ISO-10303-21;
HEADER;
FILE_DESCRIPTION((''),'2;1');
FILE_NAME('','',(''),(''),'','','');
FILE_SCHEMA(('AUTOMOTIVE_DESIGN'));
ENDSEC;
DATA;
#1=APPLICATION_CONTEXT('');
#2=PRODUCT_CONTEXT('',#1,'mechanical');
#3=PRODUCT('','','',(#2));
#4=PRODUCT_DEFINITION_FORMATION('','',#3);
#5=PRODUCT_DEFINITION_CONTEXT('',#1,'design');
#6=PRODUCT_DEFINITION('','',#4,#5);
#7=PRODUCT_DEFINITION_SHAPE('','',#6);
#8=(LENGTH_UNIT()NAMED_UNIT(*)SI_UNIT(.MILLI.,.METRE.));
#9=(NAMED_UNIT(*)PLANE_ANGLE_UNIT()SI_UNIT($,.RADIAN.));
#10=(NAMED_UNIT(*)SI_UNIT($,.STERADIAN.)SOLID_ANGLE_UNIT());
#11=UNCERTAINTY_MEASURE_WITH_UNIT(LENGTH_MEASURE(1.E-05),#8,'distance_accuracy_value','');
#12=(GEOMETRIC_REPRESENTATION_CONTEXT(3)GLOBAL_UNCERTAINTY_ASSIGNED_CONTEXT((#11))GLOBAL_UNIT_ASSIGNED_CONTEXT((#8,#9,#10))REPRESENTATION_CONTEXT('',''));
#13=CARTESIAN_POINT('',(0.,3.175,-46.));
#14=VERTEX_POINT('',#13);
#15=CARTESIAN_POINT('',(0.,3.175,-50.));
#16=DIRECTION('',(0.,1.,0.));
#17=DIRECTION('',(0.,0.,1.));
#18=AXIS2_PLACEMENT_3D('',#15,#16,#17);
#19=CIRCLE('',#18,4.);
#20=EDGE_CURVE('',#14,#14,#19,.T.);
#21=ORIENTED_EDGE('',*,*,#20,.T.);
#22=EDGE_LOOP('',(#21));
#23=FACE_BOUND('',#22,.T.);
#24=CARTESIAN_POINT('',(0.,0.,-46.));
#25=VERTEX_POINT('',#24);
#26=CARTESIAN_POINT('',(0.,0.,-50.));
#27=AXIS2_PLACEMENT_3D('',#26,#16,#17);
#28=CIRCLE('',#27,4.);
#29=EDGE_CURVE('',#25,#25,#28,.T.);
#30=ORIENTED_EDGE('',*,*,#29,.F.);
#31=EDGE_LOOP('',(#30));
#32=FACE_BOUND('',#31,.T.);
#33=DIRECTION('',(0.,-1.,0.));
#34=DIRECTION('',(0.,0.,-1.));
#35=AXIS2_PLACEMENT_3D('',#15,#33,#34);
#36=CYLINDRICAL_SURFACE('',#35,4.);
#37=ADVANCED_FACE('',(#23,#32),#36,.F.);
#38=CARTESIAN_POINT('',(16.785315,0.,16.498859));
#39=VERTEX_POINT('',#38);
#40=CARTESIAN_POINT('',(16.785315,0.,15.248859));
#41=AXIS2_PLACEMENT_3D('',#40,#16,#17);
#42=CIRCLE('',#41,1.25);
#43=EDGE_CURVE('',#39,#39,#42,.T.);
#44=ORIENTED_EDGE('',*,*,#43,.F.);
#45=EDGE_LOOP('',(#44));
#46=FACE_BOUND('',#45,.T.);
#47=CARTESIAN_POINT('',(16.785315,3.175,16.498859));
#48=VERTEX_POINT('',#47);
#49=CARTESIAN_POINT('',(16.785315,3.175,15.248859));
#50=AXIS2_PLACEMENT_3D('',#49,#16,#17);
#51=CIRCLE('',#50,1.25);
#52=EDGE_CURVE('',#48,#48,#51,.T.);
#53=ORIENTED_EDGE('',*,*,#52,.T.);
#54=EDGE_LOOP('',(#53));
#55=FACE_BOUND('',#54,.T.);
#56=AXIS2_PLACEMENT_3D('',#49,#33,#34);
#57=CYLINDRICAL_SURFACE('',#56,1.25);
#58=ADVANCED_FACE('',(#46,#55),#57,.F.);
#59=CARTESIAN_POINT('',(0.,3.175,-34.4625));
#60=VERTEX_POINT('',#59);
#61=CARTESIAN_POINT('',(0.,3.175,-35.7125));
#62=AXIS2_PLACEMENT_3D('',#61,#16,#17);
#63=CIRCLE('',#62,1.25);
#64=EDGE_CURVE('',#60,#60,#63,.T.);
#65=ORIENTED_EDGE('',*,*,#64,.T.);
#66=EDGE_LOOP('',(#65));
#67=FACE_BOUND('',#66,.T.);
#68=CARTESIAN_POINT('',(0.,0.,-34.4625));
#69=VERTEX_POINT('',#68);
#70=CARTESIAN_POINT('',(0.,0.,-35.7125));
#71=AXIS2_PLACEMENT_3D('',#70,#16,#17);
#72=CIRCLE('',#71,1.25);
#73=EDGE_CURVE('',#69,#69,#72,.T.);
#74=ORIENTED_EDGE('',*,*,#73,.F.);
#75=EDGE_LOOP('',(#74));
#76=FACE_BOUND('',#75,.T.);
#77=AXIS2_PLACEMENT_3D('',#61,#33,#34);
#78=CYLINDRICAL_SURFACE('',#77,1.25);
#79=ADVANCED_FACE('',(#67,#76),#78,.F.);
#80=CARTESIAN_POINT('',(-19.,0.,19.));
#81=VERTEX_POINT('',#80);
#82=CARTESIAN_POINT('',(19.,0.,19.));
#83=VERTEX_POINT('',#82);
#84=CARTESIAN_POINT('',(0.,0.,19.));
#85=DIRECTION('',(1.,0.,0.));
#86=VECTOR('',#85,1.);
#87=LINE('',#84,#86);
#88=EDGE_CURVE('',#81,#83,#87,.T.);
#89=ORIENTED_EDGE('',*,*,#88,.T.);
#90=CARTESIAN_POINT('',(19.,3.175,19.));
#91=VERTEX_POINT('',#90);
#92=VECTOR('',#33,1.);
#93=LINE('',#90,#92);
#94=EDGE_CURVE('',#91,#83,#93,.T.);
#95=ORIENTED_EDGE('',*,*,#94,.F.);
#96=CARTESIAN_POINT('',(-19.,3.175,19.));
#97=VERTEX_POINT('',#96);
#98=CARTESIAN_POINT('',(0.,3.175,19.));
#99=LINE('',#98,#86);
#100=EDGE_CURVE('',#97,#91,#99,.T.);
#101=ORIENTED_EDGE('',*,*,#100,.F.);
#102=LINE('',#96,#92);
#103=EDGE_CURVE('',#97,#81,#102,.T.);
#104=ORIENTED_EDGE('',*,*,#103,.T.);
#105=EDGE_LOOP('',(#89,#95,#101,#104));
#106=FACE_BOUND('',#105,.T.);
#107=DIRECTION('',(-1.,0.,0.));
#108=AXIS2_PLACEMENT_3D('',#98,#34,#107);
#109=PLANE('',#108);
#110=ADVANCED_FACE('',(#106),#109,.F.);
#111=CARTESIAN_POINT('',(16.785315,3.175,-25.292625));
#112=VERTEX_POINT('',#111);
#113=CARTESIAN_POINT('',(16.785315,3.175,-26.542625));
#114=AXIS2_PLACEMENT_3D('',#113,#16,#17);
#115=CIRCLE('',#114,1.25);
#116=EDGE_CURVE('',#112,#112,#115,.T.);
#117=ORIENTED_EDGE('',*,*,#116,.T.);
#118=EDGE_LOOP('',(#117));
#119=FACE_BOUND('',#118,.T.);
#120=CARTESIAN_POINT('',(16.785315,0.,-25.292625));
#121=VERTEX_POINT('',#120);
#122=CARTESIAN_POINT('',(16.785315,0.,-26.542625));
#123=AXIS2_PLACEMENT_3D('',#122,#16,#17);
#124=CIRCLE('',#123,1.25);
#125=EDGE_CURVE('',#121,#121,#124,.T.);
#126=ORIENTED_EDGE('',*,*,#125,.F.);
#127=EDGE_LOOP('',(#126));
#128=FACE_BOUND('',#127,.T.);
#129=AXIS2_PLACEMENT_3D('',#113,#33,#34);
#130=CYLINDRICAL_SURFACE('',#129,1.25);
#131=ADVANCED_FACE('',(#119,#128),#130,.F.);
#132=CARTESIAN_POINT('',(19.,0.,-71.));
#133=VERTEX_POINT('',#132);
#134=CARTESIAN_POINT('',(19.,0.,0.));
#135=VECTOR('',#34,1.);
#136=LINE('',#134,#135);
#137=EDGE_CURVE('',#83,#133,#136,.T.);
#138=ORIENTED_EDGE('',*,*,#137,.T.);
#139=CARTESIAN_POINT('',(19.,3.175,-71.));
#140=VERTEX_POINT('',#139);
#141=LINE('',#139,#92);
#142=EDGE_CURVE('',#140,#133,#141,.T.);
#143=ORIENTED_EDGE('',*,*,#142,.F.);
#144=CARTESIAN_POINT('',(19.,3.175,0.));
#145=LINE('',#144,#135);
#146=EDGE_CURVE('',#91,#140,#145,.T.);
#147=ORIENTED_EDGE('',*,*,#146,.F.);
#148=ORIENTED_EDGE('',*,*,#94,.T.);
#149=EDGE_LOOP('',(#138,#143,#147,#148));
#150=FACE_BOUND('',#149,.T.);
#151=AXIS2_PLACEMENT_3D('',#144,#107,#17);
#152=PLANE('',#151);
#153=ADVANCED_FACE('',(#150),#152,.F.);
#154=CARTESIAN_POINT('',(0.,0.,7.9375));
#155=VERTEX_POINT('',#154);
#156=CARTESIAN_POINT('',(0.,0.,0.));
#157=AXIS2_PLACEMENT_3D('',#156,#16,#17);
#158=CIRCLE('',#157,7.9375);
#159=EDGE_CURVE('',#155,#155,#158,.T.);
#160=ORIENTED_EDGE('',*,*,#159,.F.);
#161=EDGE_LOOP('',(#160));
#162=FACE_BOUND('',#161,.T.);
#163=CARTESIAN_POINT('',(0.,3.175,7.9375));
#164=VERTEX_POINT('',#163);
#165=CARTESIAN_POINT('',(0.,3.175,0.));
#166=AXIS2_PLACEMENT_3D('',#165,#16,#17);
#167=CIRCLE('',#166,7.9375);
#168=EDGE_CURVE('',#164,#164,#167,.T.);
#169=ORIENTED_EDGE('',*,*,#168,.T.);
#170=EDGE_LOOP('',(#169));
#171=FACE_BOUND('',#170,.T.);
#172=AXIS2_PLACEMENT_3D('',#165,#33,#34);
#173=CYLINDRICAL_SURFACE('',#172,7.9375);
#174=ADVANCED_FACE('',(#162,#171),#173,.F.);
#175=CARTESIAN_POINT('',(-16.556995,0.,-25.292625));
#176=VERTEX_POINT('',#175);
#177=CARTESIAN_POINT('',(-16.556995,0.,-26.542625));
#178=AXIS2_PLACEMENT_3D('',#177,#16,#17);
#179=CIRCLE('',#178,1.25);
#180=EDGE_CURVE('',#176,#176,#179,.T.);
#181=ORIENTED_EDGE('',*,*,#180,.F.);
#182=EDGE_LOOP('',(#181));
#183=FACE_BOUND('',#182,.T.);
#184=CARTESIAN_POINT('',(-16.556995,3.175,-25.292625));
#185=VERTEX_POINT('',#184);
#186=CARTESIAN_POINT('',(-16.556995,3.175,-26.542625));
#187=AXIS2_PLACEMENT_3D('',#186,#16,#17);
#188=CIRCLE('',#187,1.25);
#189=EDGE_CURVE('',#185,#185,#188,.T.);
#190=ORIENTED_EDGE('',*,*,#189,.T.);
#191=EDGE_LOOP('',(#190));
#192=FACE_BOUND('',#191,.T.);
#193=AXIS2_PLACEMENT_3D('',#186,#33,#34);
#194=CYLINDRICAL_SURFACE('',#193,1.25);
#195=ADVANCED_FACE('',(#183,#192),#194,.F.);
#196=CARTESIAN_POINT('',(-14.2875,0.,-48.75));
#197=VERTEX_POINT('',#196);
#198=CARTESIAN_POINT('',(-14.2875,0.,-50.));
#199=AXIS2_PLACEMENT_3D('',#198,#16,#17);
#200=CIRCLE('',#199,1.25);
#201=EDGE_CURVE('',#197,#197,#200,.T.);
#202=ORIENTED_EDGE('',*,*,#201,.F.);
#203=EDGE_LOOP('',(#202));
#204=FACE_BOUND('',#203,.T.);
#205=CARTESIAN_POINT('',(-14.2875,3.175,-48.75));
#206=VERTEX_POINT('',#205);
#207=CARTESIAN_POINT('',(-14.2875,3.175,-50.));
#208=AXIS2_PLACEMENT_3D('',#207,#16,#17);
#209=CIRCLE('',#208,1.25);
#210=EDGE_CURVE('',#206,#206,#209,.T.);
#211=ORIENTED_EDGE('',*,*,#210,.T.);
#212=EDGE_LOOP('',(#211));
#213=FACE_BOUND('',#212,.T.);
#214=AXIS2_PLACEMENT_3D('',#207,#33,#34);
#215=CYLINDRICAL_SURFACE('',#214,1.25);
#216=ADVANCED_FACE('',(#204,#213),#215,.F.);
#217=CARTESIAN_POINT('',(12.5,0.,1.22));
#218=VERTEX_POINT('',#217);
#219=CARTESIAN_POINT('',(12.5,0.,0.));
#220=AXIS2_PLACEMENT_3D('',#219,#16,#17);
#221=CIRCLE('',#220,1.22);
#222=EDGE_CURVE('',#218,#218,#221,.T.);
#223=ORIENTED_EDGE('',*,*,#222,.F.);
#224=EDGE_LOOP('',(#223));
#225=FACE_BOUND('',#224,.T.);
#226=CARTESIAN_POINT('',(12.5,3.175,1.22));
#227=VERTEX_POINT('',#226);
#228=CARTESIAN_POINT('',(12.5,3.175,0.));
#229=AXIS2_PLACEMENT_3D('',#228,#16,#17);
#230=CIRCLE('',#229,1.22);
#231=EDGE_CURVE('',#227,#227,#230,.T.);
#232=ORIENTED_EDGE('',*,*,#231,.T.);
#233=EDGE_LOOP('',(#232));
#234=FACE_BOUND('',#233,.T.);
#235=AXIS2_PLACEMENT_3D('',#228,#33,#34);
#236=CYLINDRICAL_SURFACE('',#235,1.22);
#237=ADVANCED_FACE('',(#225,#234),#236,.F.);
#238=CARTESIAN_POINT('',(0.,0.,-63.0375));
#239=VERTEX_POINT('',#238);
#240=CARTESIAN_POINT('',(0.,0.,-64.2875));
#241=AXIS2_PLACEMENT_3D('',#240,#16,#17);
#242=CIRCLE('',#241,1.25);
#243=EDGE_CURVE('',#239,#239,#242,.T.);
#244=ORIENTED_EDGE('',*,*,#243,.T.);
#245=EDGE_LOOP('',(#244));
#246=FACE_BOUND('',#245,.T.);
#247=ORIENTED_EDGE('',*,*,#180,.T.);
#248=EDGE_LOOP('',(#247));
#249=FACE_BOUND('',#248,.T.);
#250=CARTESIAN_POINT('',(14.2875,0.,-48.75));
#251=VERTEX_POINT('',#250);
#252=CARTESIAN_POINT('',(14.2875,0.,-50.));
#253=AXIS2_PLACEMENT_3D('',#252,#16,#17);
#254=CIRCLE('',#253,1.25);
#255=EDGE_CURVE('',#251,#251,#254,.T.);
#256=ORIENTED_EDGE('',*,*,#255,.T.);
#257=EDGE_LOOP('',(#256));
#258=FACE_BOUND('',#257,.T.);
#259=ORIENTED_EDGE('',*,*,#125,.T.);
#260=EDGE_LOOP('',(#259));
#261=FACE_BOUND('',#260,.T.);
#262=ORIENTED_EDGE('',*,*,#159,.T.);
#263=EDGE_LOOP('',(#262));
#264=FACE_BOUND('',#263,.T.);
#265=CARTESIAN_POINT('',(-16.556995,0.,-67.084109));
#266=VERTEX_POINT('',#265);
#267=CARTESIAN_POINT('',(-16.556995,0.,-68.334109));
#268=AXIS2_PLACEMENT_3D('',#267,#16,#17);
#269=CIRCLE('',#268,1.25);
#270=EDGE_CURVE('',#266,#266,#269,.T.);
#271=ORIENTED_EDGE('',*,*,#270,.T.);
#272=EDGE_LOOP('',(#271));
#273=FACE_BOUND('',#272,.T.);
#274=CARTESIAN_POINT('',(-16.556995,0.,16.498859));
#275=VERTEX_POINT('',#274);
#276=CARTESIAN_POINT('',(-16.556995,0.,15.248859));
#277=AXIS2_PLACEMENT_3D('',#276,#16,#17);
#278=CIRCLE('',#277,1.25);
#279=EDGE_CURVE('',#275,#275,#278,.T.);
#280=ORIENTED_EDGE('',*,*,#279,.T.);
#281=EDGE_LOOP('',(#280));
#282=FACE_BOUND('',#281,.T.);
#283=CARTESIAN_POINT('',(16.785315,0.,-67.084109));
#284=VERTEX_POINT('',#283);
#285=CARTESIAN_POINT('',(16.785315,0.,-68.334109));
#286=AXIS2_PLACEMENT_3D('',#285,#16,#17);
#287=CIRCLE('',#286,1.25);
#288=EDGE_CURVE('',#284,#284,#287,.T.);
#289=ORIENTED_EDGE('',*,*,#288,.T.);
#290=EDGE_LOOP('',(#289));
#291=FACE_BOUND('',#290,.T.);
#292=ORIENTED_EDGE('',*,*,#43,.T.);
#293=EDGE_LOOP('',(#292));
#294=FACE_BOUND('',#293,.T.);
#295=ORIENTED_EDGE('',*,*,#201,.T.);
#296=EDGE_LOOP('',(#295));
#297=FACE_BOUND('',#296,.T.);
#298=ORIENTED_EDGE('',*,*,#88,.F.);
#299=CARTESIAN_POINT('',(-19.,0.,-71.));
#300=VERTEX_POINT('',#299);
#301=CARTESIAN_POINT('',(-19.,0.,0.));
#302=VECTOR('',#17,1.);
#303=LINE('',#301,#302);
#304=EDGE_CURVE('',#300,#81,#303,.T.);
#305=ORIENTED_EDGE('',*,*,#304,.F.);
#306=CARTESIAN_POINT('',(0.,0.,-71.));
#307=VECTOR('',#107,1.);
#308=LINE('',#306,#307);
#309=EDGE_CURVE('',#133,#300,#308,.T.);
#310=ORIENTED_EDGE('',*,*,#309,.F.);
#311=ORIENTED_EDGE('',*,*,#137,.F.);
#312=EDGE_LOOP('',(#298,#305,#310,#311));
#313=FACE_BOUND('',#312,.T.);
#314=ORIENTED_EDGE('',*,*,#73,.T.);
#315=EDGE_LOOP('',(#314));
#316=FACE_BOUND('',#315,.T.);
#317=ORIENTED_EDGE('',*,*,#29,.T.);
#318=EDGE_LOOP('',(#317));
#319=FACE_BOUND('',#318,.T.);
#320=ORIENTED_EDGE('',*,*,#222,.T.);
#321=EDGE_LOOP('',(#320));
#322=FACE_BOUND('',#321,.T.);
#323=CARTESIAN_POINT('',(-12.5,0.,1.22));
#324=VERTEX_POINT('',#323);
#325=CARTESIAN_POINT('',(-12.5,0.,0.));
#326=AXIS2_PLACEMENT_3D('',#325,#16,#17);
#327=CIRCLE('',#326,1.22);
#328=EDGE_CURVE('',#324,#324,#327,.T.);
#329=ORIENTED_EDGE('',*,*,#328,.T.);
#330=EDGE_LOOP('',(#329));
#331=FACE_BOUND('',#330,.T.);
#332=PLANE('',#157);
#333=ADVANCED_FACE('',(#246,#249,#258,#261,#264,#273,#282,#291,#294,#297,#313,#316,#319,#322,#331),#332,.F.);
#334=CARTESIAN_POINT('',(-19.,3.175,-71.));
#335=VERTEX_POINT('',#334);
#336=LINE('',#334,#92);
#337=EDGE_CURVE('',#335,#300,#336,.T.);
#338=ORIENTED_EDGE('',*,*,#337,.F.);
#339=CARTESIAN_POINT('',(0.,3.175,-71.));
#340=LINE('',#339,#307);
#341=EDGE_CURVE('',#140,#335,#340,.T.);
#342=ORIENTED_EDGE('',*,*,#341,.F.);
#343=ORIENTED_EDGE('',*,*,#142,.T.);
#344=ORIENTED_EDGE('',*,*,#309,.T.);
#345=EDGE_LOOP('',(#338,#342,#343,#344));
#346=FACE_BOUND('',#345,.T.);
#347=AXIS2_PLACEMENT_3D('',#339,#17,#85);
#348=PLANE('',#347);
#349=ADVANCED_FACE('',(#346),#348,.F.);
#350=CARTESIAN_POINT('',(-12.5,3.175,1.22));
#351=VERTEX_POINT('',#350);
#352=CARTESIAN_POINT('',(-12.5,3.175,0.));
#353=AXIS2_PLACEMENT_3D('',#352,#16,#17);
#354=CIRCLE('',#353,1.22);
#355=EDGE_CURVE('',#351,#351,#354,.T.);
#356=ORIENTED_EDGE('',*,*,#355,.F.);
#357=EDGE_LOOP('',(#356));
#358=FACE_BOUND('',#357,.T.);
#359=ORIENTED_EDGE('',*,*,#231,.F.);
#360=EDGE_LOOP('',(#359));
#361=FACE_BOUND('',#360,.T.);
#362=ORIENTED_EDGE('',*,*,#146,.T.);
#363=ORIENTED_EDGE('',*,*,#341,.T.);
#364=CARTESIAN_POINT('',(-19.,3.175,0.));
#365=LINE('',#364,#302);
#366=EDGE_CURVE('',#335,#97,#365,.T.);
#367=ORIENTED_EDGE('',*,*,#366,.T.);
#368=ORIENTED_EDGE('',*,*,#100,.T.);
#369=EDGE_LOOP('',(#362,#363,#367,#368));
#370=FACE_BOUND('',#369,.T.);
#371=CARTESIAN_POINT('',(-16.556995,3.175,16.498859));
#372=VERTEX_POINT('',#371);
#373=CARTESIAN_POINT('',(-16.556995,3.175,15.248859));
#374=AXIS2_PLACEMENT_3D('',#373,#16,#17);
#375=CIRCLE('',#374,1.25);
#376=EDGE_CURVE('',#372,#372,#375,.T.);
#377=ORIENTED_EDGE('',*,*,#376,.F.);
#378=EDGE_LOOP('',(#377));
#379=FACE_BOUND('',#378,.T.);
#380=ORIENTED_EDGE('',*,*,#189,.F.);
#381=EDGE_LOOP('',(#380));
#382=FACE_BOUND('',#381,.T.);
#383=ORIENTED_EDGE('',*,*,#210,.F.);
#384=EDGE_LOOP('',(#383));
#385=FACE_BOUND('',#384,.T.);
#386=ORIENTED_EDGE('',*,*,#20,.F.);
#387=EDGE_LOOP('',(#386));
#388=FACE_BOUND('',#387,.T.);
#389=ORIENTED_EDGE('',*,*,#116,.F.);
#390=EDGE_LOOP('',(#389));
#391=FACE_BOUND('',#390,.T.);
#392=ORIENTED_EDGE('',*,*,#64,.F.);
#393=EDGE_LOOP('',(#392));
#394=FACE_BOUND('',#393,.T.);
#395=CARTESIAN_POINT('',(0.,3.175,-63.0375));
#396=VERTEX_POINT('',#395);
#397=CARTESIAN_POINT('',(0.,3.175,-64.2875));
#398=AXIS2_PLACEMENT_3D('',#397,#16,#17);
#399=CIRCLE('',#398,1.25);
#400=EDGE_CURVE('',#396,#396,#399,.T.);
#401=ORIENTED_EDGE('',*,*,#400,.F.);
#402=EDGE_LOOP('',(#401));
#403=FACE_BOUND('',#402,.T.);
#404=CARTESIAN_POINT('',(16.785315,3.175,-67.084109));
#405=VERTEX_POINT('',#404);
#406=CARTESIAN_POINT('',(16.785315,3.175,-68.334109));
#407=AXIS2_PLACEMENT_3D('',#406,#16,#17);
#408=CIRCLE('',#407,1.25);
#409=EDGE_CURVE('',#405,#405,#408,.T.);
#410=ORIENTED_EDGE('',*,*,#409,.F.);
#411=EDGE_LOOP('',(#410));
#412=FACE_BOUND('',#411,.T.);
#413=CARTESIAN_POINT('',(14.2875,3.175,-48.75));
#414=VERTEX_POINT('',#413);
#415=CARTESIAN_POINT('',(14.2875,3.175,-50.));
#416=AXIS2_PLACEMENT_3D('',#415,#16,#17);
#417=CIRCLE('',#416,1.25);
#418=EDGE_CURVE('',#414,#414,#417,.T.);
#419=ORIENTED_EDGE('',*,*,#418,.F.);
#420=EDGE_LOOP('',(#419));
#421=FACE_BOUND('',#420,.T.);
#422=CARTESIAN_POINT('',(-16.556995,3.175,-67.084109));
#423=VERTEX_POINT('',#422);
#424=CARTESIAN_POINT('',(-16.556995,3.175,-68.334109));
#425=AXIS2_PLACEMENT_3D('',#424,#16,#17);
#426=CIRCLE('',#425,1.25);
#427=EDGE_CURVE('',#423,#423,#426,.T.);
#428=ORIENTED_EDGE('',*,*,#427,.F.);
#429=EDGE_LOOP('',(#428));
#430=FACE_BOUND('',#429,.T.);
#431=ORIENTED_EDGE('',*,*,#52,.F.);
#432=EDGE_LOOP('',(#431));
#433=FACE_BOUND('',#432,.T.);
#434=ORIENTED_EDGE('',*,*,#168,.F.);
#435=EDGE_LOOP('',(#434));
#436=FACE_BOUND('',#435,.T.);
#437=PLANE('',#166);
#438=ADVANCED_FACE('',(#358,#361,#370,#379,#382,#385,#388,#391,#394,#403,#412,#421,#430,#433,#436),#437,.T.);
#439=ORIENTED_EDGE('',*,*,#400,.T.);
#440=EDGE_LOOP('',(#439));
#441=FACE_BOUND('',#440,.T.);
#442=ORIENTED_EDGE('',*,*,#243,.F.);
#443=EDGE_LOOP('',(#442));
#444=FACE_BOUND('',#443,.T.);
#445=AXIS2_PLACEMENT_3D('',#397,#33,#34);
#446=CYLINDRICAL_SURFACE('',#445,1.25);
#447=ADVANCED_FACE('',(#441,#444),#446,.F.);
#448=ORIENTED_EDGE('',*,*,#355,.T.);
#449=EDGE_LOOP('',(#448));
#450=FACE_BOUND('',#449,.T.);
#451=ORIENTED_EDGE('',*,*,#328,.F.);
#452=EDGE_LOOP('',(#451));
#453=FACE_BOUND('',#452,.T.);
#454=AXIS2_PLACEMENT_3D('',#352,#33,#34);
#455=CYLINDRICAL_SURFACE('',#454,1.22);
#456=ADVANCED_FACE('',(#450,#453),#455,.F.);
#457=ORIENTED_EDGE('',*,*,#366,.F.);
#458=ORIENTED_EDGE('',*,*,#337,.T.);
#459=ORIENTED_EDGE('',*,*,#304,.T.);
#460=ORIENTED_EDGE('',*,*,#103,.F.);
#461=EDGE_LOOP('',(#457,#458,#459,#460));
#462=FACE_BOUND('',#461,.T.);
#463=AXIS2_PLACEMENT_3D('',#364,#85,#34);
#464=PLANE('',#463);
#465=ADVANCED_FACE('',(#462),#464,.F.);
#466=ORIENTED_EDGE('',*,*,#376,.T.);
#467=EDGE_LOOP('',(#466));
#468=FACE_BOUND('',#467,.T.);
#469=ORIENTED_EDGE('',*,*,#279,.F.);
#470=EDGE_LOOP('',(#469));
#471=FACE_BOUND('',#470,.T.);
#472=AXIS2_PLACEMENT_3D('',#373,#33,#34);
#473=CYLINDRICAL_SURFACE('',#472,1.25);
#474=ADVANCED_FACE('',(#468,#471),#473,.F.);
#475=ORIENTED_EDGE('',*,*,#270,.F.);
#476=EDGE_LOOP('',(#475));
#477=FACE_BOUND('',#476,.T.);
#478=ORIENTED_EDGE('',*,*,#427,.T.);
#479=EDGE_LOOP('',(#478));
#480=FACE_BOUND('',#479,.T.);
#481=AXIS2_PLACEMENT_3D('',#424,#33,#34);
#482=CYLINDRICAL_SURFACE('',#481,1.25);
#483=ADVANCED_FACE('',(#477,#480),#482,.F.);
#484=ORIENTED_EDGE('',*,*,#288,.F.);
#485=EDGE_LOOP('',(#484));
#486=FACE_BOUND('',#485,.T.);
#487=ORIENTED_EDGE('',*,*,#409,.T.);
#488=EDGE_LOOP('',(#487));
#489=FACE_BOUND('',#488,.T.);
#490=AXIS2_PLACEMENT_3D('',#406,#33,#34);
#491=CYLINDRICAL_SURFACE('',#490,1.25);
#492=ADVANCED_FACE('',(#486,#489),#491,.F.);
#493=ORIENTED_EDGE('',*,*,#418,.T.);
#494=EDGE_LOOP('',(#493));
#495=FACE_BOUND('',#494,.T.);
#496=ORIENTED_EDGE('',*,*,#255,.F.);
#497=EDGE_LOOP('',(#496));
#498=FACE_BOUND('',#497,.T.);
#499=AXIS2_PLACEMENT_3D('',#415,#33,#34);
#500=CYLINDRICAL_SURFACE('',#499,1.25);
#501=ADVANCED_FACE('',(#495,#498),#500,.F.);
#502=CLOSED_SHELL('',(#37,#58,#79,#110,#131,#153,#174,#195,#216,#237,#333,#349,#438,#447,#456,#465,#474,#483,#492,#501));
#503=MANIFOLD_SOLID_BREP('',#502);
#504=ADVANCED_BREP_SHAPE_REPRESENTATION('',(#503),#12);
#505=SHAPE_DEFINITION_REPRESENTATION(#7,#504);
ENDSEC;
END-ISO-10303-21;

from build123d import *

# Parameters (mm, degrees)
SKETCH1_R           = 1.25
SKETCH1_R_2         = 1.22
SKETCH1_R_3         = 4
BOSS_EXTRUDE1_DEPTH = 3.175


with BuildPart() as part:
    # Sketch1 → Boss-Extrude1 (new body)
    with BuildSketch(Plane(origin=(0, 0, 0), x_dir=(1, 0, 0), z_dir=(0, 1, 0))):
        Polygon((-19, -19), (0, -19), (19, -19), (19, 71), (-19, 71), align=None)
        with Locations((-16.556995364, -15.248859434)):
            Circle(SKETCH1_R, mode=Mode.SUBTRACT)
        with Locations((-12.5, 0)):
            Circle(SKETCH1_R_2, mode=Mode.SUBTRACT)
        with BuildLine():
            ThreePointArc((7.9375, 0), (5.612660076, -5.612660076), (0, -7.9375))
            ThreePointArc((0, -7.9375), (-5.612660076, -5.612660076), (-7.9375, 0))
            ThreePointArc((-7.9375, 0), (-5.612660076, 5.612660076), (0, 7.9375))
            ThreePointArc((0, 7.9375), (5.612660076, 5.612660076), (7.9375, 0))
        make_face(mode=Mode.SUBTRACT)
        with Locations((16.785315207, -15.248859434)):
            Circle(SKETCH1_R, mode=Mode.SUBTRACT)
        with Locations((12.5, 0)):
            Circle(SKETCH1_R_2, mode=Mode.SUBTRACT)
        with BuildLine():
            ThreePointArc((-16.556995364, 25.292624917), (-17.806995364, 26.542624917), (-16.556995364, 27.792624917))
            ThreePointArc((-16.556995364, 27.792624917), (-15.306995364, 26.542624917), (-16.556995364, 25.292624917))
        make_face(mode=Mode.SUBTRACT)
        with BuildLine():
            ThreePointArc((-16.556995364, 67.084109267), (-17.440878841, 69.217992744), (-15.306995364, 68.334109267))
            ThreePointArc((-15.306995364, 68.334109267), (-15.673111888, 67.450225791), (-16.556995364, 67.084109267))
        make_face(mode=Mode.SUBTRACT)
        with BuildLine():
            ThreePointArc((16.785315207, 25.292624917), (15.535315207, 26.542624917), (16.785315207, 27.792624917))
            ThreePointArc((16.785315207, 27.792624917), (18.035315207, 26.542624917), (16.785315207, 25.292624917))
        make_face(mode=Mode.SUBTRACT)
        with Locations((0, 35.7125)):
            Circle(SKETCH1_R, mode=Mode.SUBTRACT)
        with Locations((14.2875, 50)):
            Circle(SKETCH1_R, mode=Mode.SUBTRACT)
        with Locations((0, 64.2875)):
            Circle(SKETCH1_R, mode=Mode.SUBTRACT)
        with Locations((-14.2875, 50)):
            Circle(SKETCH1_R, mode=Mode.SUBTRACT)
        with BuildLine():
            ThreePointArc((16.785315207, 67.084109267), (15.90143173, 67.450225791), (15.535315207, 68.334109267))
            ThreePointArc((15.535315207, 68.334109267), (17.669198683, 69.217992744), (16.785315207, 67.084109267))
        make_face(mode=Mode.SUBTRACT)
        with Locations((0, 50)):
            Circle(SKETCH1_R_3, mode=Mode.SUBTRACT)
    extrude(amount=BOSS_EXTRUDE1_DEPTH)


solid = part.part
